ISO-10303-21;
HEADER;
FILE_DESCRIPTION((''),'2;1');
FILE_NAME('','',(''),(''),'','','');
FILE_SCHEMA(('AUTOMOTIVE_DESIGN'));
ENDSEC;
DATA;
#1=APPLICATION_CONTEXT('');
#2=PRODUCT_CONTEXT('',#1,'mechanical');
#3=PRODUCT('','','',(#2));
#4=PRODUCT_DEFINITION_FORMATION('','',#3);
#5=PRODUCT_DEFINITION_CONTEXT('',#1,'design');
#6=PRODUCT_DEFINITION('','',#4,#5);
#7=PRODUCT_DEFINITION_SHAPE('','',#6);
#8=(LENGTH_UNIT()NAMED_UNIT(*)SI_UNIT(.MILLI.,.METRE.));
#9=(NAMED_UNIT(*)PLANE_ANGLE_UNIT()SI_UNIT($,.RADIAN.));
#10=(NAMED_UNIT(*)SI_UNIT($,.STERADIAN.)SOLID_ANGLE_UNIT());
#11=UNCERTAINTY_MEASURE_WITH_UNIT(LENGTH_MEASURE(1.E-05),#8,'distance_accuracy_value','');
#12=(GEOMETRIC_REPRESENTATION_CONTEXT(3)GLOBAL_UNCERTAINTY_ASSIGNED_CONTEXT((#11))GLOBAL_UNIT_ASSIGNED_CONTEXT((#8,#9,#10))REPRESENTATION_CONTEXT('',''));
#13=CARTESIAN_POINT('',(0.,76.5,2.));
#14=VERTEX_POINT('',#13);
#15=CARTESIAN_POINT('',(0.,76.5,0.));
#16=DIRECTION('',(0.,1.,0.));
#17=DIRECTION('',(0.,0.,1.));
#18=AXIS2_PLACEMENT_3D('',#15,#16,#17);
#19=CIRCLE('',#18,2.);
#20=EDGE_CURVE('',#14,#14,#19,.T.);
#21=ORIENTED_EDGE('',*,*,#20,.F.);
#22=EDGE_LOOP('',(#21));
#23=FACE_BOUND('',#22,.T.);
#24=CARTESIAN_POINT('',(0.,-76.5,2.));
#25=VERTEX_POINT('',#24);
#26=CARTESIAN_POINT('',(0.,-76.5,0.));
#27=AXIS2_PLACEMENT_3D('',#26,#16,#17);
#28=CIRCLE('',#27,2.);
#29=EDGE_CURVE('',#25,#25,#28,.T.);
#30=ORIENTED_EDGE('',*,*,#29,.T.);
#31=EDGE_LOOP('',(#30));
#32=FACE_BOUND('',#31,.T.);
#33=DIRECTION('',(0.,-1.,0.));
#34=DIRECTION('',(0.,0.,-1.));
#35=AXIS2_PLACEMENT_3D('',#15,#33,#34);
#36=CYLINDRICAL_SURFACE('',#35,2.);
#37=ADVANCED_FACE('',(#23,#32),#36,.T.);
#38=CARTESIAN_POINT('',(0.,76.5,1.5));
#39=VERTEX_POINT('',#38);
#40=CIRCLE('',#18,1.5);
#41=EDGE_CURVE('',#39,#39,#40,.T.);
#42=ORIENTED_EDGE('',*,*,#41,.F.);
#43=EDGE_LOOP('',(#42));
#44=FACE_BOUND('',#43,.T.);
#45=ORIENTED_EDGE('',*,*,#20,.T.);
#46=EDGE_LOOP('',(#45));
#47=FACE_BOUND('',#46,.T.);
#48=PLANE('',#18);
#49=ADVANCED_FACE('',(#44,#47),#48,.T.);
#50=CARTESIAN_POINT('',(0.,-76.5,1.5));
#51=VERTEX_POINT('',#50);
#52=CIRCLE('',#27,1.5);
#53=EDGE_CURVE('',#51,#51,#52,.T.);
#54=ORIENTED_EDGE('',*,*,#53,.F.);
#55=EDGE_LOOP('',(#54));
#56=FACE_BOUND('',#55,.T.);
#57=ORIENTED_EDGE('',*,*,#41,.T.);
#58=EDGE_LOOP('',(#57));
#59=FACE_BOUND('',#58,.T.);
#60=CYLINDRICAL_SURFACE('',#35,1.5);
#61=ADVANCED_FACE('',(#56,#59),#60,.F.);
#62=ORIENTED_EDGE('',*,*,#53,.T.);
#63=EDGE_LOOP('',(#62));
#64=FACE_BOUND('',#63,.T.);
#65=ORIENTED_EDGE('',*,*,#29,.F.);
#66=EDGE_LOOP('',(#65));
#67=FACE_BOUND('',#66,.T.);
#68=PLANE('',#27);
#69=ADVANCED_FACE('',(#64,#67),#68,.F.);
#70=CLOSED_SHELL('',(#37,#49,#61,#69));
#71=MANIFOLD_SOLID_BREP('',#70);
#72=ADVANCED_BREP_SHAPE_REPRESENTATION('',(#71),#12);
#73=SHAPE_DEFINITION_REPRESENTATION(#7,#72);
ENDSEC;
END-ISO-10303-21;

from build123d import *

# Parameters (mm, degrees)
SKETCH1_R           = 2
SKETCH1_R_2         = 1.5
BOSS_EXTRUDE1_DEPTH = 76.5


with BuildPart() as part:
    # Sketch1 → Boss-Extrude1 (new body, symmetric)
    with BuildSketch(Plane(origin=(0, 0, 0), x_dir=(1, 0, 0), z_dir=(0, 1, 0))):
        Circle(SKETCH1_R)
        Circle(SKETCH1_R_2, mode=Mode.SUBTRACT)
    extrude(amount=BOSS_EXTRUDE1_DEPTH, both=True)


solid = part.part
